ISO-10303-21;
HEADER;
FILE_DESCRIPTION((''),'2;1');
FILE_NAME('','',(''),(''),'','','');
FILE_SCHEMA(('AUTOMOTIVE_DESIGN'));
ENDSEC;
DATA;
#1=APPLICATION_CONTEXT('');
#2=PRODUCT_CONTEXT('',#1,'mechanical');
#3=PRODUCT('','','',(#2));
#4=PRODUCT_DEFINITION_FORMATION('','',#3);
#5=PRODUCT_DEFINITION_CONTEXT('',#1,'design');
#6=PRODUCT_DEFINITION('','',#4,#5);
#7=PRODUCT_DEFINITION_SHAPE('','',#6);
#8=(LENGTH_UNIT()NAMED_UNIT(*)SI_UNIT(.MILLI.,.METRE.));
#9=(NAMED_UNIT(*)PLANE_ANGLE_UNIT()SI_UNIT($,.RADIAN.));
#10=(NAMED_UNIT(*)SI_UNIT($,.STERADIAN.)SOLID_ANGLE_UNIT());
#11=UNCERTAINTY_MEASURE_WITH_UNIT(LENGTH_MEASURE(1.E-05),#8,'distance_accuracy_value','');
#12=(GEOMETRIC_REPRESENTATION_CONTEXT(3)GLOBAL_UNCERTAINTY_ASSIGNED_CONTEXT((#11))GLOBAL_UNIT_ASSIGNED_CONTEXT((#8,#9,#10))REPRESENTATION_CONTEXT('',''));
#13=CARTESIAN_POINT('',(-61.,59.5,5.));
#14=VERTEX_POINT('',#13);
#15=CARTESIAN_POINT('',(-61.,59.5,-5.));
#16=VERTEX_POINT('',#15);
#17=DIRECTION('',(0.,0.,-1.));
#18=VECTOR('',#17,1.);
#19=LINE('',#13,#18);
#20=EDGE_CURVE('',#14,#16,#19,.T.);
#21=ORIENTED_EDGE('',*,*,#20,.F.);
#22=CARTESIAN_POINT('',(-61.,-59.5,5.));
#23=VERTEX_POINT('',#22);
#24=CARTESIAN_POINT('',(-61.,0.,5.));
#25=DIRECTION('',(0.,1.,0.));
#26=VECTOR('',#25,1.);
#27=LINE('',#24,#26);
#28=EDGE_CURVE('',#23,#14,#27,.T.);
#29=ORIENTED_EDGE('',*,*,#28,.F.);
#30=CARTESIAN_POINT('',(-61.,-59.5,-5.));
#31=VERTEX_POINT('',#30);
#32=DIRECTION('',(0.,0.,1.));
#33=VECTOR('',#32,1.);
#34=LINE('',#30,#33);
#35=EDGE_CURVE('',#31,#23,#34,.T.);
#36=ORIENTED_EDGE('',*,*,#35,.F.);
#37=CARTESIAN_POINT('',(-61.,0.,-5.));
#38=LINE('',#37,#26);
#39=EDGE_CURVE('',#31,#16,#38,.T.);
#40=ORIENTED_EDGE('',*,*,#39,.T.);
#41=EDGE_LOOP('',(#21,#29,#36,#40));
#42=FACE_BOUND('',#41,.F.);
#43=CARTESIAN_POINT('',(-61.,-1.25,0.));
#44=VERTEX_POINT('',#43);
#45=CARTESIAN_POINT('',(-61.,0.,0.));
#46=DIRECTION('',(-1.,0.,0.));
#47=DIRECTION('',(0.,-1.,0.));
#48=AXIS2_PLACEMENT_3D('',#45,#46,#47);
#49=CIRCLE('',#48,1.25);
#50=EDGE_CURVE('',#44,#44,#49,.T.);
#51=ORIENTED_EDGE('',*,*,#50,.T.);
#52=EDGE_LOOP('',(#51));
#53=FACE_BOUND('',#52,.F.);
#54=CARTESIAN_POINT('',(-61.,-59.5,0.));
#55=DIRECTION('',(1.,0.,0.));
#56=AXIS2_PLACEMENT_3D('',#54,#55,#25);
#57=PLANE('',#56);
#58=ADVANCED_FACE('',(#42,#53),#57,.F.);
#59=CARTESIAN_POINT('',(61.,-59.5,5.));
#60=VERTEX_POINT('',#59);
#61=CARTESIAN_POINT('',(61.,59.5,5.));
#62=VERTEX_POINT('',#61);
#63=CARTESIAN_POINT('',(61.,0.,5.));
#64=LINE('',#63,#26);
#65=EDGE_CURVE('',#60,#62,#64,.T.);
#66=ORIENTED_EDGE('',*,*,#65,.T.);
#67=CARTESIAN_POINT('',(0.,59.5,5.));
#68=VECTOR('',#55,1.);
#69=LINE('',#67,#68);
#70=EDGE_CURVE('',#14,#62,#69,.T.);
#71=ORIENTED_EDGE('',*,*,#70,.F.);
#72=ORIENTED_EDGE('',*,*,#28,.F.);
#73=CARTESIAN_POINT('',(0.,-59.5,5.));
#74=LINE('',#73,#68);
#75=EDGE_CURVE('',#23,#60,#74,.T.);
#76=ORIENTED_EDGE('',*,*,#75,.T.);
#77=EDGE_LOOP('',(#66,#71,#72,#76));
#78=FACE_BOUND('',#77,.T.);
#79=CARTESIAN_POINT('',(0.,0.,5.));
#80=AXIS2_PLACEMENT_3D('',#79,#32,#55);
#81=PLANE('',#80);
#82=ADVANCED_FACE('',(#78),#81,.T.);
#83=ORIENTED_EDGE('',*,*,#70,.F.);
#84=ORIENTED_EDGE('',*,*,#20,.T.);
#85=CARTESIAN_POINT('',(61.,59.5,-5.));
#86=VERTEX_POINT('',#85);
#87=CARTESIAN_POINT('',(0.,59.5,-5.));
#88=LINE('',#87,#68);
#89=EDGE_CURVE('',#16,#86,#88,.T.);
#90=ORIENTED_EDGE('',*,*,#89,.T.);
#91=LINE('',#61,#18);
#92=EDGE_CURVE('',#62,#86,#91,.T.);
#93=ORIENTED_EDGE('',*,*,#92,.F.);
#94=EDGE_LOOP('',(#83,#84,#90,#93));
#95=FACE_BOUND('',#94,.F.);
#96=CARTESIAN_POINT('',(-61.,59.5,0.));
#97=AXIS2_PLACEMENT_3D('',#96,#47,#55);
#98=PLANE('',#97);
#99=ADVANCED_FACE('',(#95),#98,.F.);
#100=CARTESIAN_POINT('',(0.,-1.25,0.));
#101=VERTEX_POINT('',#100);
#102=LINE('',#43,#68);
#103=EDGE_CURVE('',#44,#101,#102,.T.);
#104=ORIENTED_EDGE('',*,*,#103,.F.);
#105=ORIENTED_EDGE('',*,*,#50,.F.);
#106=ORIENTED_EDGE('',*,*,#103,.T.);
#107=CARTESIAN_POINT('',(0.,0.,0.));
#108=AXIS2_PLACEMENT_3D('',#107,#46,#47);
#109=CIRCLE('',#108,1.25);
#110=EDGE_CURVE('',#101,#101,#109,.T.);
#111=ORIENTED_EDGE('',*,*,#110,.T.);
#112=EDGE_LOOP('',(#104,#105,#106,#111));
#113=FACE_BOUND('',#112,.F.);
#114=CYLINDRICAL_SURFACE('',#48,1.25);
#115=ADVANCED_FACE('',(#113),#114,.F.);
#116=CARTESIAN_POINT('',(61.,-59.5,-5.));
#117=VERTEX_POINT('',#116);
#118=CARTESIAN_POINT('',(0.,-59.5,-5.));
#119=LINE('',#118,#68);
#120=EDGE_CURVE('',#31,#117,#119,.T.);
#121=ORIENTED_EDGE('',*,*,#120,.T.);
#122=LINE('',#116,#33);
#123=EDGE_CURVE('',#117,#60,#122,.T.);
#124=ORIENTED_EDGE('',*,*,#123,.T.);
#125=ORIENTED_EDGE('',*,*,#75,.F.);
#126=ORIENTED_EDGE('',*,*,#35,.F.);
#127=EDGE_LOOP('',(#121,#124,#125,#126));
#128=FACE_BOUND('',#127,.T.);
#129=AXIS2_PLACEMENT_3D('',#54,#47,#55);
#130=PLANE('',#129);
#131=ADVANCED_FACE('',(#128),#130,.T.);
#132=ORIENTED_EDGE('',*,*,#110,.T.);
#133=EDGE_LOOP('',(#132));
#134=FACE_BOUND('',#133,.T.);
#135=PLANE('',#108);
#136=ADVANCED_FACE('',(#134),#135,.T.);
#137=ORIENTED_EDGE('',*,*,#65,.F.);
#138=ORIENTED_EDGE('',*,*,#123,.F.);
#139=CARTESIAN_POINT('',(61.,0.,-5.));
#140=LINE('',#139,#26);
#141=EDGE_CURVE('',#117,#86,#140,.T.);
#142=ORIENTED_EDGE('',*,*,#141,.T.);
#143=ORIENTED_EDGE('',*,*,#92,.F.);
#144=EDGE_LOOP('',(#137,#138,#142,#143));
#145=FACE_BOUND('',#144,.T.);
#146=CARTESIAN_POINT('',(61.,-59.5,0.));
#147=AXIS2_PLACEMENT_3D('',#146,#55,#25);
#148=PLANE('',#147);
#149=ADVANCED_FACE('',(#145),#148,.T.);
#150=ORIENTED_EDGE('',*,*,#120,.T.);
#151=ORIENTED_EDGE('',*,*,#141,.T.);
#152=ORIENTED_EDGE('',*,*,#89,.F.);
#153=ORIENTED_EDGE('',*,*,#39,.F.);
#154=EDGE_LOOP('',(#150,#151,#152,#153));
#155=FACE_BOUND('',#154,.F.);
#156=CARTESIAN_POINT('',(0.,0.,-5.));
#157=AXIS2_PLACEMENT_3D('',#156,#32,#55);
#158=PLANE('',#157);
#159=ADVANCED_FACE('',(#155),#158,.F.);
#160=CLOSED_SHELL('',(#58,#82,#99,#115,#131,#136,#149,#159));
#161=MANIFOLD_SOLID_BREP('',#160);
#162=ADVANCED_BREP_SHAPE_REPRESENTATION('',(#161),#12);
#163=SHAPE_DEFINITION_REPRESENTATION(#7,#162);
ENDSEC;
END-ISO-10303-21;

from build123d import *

# Parameters (mm, degrees)
F0_W     = 122
F0_H     = 119
F1_DEPTH = 5
F2_R     = 1.25
F3_DEPTH = 61


with BuildPart() as f1:
    # F0 (on Top) → F1 (new body, symmetric)
    with BuildSketch(Plane.XY):
        Rectangle(F0_W, F0_H)
    extrude(amount=F1_DEPTH, both=True)

    # F2 (on face) → F3 (cut)
    with BuildSketch(Plane(origin=(-61, 0, 0), x_dir=(0, -1, 0), z_dir=(-1, 0, 0))):
        Circle(F2_R)
    extrude(amount=-F3_DEPTH, mode=Mode.SUBTRACT)


solid = f1.part
